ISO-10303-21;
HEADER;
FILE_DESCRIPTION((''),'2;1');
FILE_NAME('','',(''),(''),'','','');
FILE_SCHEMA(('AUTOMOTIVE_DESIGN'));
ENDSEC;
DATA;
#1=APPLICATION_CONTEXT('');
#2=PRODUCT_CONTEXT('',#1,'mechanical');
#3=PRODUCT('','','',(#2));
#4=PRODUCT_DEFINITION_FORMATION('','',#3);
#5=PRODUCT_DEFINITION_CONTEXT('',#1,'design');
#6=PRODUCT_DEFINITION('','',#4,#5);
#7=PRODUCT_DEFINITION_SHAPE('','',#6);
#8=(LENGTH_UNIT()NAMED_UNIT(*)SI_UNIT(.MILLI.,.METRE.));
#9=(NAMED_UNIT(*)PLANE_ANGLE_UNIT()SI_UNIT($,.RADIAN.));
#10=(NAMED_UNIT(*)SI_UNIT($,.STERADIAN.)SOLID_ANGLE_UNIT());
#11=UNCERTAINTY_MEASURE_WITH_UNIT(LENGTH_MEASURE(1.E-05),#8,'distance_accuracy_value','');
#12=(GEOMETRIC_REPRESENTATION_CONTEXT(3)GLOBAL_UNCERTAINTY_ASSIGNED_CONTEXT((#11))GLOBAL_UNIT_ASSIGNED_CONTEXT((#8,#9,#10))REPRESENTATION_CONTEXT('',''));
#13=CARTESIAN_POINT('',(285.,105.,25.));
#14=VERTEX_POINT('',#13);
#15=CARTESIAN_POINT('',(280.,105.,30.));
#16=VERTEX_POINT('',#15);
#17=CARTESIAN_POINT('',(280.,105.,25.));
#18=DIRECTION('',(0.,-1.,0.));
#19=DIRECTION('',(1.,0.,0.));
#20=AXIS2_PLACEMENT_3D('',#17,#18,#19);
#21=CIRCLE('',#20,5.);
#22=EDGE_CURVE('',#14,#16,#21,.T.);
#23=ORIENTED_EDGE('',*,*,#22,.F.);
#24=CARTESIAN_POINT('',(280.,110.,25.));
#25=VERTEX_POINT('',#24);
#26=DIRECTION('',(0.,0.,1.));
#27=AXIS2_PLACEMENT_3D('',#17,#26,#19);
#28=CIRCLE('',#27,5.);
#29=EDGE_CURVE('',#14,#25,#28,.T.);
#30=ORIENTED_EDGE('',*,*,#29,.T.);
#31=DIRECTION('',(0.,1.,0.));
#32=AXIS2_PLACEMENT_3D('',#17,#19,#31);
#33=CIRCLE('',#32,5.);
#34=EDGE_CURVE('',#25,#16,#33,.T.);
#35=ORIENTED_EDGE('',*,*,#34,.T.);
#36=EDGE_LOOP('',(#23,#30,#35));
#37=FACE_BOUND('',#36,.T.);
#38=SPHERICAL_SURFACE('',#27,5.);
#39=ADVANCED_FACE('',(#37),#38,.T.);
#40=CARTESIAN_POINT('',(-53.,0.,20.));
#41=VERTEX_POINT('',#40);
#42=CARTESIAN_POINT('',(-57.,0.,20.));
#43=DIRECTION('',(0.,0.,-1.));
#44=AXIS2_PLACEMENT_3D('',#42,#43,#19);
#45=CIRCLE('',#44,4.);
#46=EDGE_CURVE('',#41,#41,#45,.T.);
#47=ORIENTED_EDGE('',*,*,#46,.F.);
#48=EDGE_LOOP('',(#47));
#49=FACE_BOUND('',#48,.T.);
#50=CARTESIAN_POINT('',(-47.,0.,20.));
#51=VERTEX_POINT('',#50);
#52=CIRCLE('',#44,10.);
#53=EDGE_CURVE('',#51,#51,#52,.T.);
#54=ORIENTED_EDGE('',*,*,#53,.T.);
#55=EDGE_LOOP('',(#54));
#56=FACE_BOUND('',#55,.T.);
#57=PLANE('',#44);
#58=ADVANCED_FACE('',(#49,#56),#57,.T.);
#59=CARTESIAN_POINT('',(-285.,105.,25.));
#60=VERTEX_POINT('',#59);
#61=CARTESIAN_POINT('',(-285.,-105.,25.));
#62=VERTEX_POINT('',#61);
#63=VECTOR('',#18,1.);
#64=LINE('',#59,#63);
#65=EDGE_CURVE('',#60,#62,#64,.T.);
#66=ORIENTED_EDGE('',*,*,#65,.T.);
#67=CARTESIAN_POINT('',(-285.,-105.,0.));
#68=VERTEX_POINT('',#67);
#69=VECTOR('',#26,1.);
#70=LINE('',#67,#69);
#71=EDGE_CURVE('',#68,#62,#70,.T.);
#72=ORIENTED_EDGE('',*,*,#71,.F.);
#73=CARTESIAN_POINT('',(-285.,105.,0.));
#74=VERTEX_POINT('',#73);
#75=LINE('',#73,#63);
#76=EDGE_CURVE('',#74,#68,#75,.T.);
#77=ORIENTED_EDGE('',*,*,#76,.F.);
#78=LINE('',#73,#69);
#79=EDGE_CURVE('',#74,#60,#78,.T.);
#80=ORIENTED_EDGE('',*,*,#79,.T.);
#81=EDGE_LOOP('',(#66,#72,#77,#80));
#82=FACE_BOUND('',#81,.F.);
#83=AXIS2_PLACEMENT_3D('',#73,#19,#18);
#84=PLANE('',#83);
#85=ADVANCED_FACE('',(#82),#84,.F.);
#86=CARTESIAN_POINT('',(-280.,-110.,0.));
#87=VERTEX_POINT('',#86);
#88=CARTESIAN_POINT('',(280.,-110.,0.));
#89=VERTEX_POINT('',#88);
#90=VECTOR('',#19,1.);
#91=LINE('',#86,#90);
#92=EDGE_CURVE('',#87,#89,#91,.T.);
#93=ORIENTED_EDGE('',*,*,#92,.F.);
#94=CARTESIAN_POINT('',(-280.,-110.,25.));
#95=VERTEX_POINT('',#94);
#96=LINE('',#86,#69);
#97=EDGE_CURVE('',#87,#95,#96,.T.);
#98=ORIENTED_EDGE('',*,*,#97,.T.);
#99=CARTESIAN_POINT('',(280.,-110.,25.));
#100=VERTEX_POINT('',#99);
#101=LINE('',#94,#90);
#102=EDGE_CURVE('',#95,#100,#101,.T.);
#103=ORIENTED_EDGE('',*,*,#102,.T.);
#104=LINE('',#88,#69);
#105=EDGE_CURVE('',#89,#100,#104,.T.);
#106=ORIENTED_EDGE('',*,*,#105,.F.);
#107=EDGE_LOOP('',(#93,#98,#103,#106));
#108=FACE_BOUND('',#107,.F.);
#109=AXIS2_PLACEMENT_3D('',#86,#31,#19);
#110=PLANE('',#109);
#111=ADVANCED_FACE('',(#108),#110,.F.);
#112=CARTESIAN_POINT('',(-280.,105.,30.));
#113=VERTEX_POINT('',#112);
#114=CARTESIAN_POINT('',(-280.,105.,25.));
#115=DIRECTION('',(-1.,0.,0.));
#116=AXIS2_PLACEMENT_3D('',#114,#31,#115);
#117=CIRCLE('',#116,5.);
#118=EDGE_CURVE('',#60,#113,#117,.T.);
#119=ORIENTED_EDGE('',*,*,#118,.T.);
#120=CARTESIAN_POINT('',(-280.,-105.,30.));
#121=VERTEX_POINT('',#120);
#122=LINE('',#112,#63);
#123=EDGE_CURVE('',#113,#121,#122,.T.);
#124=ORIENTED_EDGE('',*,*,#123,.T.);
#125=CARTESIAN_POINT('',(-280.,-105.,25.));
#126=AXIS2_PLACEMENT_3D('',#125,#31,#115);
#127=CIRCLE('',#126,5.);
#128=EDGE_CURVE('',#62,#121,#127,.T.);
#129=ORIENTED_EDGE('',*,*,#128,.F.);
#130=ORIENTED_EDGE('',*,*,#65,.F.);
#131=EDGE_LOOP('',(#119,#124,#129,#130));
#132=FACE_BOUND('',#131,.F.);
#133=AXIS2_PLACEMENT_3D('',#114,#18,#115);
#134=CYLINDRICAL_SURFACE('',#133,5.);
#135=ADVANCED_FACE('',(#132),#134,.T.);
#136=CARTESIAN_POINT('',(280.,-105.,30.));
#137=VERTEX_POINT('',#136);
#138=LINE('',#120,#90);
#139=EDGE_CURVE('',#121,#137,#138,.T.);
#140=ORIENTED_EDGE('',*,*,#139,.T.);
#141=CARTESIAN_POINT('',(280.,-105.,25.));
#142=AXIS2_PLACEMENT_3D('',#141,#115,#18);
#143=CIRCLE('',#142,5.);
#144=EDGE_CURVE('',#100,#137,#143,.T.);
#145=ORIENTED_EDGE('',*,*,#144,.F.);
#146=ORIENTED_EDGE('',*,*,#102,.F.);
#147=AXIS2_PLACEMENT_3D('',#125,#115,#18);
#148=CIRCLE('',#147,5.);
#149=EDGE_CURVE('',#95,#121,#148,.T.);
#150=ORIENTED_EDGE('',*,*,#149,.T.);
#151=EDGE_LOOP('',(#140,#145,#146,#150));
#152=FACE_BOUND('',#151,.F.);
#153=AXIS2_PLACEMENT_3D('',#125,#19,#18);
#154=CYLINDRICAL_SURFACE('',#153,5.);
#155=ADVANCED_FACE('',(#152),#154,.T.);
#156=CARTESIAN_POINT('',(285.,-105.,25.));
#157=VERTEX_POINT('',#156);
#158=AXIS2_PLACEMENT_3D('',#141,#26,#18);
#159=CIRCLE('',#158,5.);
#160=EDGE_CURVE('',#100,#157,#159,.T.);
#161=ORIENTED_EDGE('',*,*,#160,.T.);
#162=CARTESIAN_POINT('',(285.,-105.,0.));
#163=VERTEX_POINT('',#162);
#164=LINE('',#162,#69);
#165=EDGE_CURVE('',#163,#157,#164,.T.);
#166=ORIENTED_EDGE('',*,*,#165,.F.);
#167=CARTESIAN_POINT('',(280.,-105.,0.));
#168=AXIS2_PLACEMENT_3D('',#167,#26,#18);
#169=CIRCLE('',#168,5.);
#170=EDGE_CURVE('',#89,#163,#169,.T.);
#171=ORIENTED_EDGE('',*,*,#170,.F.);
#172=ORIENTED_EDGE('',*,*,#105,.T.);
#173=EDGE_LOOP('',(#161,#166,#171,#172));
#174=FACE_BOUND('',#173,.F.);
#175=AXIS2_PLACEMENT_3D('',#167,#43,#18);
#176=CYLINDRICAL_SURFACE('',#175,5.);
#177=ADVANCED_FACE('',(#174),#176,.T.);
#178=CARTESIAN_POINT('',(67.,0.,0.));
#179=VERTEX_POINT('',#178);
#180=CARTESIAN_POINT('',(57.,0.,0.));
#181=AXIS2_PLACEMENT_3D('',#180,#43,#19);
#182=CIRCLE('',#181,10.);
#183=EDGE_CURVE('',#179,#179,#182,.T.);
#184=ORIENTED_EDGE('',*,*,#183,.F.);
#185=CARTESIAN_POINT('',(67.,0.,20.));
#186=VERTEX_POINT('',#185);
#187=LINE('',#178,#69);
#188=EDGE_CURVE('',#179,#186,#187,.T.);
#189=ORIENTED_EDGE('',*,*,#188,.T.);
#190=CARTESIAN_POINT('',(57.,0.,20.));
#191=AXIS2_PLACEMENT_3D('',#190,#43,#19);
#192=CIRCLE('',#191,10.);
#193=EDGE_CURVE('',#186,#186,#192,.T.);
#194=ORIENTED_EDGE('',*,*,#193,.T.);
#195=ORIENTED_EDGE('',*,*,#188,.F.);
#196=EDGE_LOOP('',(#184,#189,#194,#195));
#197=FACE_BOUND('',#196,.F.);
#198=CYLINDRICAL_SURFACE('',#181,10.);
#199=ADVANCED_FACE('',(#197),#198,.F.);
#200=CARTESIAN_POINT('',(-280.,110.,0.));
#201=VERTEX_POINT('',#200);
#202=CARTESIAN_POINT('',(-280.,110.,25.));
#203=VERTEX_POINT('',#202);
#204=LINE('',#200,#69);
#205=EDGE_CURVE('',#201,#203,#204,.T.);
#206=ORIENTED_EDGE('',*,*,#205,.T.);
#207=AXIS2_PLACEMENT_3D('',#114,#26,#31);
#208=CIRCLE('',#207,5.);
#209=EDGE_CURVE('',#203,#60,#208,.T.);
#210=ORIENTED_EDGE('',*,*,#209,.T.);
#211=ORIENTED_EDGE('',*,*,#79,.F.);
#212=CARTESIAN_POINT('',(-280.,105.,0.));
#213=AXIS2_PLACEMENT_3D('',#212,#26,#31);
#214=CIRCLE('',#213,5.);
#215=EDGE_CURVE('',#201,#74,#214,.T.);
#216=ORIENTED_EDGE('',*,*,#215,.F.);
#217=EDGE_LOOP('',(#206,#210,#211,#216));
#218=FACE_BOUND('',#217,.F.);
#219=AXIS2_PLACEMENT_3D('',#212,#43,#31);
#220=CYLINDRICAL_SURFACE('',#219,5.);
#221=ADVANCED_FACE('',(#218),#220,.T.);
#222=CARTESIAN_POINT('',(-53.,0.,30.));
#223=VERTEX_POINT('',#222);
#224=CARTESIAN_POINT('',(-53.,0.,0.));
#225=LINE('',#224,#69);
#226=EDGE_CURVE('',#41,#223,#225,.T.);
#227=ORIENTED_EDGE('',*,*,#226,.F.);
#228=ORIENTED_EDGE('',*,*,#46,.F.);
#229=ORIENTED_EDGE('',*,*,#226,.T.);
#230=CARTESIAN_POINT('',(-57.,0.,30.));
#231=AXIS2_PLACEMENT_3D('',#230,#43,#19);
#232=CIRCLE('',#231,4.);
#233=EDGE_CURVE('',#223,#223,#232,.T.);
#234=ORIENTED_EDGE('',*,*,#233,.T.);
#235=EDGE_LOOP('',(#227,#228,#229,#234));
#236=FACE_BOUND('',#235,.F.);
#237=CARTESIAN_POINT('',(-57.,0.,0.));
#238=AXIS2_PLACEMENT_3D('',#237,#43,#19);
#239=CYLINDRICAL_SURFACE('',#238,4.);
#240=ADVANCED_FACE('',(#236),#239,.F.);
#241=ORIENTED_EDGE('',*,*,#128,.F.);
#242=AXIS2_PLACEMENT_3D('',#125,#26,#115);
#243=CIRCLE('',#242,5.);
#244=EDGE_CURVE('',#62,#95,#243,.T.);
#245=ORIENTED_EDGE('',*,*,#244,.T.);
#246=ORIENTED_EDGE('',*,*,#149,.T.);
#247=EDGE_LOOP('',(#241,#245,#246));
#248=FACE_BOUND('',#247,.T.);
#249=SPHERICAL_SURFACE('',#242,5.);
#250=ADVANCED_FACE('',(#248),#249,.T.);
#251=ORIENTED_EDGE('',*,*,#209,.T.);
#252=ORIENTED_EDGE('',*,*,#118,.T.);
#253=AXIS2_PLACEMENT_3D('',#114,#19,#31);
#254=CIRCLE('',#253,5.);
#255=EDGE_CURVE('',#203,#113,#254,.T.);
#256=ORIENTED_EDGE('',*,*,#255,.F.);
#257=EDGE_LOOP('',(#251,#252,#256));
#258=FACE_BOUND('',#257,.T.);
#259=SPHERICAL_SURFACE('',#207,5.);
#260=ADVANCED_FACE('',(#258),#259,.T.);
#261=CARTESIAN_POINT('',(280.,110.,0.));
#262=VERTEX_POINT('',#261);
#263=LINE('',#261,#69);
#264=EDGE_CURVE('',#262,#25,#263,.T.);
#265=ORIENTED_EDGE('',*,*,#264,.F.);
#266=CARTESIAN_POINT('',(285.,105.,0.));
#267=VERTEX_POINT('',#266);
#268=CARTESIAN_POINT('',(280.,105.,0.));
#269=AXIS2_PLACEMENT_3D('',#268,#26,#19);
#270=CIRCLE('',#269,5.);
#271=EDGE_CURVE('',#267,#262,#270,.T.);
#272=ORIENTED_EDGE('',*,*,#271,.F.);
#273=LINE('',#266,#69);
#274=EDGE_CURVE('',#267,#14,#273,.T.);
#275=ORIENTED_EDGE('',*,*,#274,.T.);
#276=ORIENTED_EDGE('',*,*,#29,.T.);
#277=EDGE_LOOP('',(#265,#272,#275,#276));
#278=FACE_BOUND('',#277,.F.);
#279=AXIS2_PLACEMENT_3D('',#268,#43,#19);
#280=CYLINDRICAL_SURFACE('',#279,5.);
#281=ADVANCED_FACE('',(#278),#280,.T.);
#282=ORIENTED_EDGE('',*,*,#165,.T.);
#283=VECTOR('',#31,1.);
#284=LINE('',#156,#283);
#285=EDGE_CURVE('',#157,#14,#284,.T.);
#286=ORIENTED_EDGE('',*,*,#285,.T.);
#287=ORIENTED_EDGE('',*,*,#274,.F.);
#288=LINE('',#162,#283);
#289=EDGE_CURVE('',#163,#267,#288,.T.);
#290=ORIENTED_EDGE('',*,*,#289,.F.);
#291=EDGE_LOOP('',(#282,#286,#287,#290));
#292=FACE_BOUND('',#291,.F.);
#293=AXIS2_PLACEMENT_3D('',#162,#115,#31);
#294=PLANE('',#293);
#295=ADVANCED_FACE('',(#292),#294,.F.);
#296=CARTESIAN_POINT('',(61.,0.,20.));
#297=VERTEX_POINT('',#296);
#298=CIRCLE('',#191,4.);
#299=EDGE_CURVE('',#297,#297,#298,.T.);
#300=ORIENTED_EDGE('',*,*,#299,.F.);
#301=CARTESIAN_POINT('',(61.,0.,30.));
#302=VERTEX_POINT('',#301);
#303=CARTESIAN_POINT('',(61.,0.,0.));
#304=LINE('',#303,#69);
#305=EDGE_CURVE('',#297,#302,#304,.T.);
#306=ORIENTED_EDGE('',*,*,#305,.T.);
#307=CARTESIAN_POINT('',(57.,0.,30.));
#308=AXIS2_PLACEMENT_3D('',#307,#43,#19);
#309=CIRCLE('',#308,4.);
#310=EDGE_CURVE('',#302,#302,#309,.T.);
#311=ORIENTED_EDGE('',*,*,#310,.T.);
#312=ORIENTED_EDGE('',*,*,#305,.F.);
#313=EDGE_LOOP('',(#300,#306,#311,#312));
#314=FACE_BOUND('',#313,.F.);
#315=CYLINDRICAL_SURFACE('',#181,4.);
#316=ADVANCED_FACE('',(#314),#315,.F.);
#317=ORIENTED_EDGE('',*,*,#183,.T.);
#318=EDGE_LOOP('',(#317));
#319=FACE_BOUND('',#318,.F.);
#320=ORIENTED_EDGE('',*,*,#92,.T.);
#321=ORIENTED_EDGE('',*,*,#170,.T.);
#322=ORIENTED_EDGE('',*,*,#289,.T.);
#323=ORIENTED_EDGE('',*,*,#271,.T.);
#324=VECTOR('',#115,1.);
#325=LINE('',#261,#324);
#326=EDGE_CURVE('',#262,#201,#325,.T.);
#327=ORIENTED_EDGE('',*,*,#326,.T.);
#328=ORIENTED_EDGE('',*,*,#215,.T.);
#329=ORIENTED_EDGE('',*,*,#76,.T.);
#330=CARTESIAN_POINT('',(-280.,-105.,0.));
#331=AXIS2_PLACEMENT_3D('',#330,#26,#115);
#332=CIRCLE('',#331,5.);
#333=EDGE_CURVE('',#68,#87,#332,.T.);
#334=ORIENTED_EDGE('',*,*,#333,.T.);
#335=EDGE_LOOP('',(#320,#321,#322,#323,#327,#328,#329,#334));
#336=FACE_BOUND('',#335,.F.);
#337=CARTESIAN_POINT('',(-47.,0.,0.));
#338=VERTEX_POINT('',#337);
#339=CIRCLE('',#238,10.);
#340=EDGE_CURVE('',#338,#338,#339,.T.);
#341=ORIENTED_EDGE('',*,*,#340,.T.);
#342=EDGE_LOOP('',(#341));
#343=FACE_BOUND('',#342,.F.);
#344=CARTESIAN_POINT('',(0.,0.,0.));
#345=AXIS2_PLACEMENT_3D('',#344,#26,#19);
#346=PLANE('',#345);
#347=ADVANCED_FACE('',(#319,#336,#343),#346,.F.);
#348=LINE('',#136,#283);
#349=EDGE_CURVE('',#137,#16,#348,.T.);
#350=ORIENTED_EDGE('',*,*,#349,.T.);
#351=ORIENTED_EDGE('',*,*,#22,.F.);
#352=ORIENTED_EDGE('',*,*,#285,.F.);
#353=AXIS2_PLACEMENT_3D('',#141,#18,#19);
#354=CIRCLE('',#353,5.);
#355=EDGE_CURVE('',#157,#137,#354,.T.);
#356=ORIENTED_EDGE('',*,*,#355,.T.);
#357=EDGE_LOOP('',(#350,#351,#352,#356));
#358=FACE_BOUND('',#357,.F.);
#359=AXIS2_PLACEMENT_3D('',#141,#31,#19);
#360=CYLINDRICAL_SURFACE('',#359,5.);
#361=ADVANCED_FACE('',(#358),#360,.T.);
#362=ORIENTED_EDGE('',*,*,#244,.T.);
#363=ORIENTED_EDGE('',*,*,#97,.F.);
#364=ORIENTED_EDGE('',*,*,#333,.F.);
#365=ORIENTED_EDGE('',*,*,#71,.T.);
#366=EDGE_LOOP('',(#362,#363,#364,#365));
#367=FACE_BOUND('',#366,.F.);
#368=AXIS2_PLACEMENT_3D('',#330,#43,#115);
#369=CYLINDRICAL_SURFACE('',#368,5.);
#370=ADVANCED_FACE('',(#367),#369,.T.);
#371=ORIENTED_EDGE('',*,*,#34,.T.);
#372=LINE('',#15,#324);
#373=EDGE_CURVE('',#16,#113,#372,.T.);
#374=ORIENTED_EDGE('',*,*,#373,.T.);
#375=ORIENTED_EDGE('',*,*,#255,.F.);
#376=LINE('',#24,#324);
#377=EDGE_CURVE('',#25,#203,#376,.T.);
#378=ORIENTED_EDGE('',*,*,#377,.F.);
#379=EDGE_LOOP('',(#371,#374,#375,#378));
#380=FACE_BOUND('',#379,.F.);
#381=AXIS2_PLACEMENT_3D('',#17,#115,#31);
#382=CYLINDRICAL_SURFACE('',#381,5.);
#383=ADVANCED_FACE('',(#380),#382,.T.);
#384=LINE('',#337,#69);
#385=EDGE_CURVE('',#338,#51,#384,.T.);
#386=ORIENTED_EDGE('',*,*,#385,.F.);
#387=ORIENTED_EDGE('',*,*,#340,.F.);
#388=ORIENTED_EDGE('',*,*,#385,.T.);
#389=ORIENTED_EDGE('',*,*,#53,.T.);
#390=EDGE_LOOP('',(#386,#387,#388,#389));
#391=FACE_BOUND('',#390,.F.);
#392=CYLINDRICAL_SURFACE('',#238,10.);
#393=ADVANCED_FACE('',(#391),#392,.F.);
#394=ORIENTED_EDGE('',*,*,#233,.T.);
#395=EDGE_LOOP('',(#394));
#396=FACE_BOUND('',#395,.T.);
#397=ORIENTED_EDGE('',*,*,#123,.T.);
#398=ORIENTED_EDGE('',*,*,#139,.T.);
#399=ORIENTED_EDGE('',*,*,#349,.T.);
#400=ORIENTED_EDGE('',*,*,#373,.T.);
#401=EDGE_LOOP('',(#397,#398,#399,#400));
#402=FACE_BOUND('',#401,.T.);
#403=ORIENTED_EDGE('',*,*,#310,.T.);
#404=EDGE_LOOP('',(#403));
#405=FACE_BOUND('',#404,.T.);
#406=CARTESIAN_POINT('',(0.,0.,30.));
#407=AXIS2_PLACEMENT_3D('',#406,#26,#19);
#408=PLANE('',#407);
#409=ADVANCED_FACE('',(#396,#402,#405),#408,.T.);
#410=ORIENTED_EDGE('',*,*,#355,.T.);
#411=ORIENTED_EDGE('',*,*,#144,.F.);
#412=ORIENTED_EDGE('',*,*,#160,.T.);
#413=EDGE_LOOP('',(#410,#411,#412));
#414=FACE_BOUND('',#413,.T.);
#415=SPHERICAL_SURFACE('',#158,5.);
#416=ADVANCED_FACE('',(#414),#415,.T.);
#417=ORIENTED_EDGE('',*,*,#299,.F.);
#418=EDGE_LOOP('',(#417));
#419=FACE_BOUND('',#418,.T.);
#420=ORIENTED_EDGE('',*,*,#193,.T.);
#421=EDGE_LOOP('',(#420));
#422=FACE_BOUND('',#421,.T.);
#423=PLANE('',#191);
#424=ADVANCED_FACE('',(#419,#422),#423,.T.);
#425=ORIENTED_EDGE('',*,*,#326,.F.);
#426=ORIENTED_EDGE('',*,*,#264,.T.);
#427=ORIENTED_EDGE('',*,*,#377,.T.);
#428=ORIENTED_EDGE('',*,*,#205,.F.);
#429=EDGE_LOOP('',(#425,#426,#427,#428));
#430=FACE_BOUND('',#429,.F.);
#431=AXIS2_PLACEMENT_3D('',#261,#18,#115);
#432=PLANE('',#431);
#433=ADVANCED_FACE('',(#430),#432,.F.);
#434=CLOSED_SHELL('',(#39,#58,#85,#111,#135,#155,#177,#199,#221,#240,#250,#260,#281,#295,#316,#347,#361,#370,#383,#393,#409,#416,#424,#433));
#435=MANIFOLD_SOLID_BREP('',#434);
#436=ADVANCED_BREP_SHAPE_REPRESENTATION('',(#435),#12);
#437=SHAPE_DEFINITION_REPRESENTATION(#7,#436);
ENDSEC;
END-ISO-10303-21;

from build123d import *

# Parameters (mm, degrees)
F1_DEPTH = 30
F2_R     = 5
F3_R     = 10
F3_R_2   = 4
F4_DEPTH = 20
F5_DEPTH = 30.001


with BuildPart() as f1:
    # F0 (on Top) → F1 (new body)
    with BuildSketch(Plane.XY):
        with BuildLine():
            Line((-285, 105), (-285, 0))
            Line((-285, 0), (-285, -105))
            ThreePointArc((-285, -105), (-283.5355339059, -108.5355339059), (-280, -110))
            Line((-280, -110), (0, -110))
            Line((0, -110), (280, -110))
            ThreePointArc((280, -110), (283.5355339059, -108.5355339059), (285, -105))
            Line((285, -105), (285, 0))
            Line((285, 0), (285, 105))
            ThreePointArc((285, 105), (283.5355339059, 108.5355339059), (280, 110))
            Line((280, 110), (0, 110))
            Line((0, 110), (-280, 110))
            ThreePointArc((-280, 110), (-283.5355339059, 108.5355339059), (-285, 105))
        make_face()
    extrude(amount=F1_DEPTH)

    # F2
    f2_edges = [f1.edges().sort_by_distance(p)[0] for p in [
        (-285, 0, 30),
        (-283.535534, -108.535534, 30),
        (0, -110, 30),
        (283.535534, -108.535534, 30),
        (285, 0, 30),
        (283.535534, 108.535534, 30),
        (0, 110, 30),
        (-283.535534, 108.535534, 30),
    ]]
    fillet(f2_edges, radius=F2_R)

    # F3 (on face) → F4 (cut)
    with BuildSketch(Plane(origin=(0, 0, 0), x_dir=(1, 0, 0), z_dir=(0, 0, -1))):
        with Locations((57, 0)):
            Circle(F3_R)
        with Locations((57, 0)):
            Circle(F3_R_2, mode=Mode.SUBTRACT)
        with Locations((-57, 0)):
            Circle(F3_R)
        with Locations((-57, 0)):
            Circle(F3_R_2, mode=Mode.SUBTRACT)
    extrude(amount=-F4_DEPTH, mode=Mode.SUBTRACT)

    # F5 (cut, through all): faces of the model
    f5_faces = [f1.faces().sort_by_distance(p)[0] for p in [
        (57, 0, 0),
        (-57, 0, 0),
    ]]
    extrude(f5_faces, amount=-F5_DEPTH, mode=Mode.SUBTRACT)


solid = f1.part
